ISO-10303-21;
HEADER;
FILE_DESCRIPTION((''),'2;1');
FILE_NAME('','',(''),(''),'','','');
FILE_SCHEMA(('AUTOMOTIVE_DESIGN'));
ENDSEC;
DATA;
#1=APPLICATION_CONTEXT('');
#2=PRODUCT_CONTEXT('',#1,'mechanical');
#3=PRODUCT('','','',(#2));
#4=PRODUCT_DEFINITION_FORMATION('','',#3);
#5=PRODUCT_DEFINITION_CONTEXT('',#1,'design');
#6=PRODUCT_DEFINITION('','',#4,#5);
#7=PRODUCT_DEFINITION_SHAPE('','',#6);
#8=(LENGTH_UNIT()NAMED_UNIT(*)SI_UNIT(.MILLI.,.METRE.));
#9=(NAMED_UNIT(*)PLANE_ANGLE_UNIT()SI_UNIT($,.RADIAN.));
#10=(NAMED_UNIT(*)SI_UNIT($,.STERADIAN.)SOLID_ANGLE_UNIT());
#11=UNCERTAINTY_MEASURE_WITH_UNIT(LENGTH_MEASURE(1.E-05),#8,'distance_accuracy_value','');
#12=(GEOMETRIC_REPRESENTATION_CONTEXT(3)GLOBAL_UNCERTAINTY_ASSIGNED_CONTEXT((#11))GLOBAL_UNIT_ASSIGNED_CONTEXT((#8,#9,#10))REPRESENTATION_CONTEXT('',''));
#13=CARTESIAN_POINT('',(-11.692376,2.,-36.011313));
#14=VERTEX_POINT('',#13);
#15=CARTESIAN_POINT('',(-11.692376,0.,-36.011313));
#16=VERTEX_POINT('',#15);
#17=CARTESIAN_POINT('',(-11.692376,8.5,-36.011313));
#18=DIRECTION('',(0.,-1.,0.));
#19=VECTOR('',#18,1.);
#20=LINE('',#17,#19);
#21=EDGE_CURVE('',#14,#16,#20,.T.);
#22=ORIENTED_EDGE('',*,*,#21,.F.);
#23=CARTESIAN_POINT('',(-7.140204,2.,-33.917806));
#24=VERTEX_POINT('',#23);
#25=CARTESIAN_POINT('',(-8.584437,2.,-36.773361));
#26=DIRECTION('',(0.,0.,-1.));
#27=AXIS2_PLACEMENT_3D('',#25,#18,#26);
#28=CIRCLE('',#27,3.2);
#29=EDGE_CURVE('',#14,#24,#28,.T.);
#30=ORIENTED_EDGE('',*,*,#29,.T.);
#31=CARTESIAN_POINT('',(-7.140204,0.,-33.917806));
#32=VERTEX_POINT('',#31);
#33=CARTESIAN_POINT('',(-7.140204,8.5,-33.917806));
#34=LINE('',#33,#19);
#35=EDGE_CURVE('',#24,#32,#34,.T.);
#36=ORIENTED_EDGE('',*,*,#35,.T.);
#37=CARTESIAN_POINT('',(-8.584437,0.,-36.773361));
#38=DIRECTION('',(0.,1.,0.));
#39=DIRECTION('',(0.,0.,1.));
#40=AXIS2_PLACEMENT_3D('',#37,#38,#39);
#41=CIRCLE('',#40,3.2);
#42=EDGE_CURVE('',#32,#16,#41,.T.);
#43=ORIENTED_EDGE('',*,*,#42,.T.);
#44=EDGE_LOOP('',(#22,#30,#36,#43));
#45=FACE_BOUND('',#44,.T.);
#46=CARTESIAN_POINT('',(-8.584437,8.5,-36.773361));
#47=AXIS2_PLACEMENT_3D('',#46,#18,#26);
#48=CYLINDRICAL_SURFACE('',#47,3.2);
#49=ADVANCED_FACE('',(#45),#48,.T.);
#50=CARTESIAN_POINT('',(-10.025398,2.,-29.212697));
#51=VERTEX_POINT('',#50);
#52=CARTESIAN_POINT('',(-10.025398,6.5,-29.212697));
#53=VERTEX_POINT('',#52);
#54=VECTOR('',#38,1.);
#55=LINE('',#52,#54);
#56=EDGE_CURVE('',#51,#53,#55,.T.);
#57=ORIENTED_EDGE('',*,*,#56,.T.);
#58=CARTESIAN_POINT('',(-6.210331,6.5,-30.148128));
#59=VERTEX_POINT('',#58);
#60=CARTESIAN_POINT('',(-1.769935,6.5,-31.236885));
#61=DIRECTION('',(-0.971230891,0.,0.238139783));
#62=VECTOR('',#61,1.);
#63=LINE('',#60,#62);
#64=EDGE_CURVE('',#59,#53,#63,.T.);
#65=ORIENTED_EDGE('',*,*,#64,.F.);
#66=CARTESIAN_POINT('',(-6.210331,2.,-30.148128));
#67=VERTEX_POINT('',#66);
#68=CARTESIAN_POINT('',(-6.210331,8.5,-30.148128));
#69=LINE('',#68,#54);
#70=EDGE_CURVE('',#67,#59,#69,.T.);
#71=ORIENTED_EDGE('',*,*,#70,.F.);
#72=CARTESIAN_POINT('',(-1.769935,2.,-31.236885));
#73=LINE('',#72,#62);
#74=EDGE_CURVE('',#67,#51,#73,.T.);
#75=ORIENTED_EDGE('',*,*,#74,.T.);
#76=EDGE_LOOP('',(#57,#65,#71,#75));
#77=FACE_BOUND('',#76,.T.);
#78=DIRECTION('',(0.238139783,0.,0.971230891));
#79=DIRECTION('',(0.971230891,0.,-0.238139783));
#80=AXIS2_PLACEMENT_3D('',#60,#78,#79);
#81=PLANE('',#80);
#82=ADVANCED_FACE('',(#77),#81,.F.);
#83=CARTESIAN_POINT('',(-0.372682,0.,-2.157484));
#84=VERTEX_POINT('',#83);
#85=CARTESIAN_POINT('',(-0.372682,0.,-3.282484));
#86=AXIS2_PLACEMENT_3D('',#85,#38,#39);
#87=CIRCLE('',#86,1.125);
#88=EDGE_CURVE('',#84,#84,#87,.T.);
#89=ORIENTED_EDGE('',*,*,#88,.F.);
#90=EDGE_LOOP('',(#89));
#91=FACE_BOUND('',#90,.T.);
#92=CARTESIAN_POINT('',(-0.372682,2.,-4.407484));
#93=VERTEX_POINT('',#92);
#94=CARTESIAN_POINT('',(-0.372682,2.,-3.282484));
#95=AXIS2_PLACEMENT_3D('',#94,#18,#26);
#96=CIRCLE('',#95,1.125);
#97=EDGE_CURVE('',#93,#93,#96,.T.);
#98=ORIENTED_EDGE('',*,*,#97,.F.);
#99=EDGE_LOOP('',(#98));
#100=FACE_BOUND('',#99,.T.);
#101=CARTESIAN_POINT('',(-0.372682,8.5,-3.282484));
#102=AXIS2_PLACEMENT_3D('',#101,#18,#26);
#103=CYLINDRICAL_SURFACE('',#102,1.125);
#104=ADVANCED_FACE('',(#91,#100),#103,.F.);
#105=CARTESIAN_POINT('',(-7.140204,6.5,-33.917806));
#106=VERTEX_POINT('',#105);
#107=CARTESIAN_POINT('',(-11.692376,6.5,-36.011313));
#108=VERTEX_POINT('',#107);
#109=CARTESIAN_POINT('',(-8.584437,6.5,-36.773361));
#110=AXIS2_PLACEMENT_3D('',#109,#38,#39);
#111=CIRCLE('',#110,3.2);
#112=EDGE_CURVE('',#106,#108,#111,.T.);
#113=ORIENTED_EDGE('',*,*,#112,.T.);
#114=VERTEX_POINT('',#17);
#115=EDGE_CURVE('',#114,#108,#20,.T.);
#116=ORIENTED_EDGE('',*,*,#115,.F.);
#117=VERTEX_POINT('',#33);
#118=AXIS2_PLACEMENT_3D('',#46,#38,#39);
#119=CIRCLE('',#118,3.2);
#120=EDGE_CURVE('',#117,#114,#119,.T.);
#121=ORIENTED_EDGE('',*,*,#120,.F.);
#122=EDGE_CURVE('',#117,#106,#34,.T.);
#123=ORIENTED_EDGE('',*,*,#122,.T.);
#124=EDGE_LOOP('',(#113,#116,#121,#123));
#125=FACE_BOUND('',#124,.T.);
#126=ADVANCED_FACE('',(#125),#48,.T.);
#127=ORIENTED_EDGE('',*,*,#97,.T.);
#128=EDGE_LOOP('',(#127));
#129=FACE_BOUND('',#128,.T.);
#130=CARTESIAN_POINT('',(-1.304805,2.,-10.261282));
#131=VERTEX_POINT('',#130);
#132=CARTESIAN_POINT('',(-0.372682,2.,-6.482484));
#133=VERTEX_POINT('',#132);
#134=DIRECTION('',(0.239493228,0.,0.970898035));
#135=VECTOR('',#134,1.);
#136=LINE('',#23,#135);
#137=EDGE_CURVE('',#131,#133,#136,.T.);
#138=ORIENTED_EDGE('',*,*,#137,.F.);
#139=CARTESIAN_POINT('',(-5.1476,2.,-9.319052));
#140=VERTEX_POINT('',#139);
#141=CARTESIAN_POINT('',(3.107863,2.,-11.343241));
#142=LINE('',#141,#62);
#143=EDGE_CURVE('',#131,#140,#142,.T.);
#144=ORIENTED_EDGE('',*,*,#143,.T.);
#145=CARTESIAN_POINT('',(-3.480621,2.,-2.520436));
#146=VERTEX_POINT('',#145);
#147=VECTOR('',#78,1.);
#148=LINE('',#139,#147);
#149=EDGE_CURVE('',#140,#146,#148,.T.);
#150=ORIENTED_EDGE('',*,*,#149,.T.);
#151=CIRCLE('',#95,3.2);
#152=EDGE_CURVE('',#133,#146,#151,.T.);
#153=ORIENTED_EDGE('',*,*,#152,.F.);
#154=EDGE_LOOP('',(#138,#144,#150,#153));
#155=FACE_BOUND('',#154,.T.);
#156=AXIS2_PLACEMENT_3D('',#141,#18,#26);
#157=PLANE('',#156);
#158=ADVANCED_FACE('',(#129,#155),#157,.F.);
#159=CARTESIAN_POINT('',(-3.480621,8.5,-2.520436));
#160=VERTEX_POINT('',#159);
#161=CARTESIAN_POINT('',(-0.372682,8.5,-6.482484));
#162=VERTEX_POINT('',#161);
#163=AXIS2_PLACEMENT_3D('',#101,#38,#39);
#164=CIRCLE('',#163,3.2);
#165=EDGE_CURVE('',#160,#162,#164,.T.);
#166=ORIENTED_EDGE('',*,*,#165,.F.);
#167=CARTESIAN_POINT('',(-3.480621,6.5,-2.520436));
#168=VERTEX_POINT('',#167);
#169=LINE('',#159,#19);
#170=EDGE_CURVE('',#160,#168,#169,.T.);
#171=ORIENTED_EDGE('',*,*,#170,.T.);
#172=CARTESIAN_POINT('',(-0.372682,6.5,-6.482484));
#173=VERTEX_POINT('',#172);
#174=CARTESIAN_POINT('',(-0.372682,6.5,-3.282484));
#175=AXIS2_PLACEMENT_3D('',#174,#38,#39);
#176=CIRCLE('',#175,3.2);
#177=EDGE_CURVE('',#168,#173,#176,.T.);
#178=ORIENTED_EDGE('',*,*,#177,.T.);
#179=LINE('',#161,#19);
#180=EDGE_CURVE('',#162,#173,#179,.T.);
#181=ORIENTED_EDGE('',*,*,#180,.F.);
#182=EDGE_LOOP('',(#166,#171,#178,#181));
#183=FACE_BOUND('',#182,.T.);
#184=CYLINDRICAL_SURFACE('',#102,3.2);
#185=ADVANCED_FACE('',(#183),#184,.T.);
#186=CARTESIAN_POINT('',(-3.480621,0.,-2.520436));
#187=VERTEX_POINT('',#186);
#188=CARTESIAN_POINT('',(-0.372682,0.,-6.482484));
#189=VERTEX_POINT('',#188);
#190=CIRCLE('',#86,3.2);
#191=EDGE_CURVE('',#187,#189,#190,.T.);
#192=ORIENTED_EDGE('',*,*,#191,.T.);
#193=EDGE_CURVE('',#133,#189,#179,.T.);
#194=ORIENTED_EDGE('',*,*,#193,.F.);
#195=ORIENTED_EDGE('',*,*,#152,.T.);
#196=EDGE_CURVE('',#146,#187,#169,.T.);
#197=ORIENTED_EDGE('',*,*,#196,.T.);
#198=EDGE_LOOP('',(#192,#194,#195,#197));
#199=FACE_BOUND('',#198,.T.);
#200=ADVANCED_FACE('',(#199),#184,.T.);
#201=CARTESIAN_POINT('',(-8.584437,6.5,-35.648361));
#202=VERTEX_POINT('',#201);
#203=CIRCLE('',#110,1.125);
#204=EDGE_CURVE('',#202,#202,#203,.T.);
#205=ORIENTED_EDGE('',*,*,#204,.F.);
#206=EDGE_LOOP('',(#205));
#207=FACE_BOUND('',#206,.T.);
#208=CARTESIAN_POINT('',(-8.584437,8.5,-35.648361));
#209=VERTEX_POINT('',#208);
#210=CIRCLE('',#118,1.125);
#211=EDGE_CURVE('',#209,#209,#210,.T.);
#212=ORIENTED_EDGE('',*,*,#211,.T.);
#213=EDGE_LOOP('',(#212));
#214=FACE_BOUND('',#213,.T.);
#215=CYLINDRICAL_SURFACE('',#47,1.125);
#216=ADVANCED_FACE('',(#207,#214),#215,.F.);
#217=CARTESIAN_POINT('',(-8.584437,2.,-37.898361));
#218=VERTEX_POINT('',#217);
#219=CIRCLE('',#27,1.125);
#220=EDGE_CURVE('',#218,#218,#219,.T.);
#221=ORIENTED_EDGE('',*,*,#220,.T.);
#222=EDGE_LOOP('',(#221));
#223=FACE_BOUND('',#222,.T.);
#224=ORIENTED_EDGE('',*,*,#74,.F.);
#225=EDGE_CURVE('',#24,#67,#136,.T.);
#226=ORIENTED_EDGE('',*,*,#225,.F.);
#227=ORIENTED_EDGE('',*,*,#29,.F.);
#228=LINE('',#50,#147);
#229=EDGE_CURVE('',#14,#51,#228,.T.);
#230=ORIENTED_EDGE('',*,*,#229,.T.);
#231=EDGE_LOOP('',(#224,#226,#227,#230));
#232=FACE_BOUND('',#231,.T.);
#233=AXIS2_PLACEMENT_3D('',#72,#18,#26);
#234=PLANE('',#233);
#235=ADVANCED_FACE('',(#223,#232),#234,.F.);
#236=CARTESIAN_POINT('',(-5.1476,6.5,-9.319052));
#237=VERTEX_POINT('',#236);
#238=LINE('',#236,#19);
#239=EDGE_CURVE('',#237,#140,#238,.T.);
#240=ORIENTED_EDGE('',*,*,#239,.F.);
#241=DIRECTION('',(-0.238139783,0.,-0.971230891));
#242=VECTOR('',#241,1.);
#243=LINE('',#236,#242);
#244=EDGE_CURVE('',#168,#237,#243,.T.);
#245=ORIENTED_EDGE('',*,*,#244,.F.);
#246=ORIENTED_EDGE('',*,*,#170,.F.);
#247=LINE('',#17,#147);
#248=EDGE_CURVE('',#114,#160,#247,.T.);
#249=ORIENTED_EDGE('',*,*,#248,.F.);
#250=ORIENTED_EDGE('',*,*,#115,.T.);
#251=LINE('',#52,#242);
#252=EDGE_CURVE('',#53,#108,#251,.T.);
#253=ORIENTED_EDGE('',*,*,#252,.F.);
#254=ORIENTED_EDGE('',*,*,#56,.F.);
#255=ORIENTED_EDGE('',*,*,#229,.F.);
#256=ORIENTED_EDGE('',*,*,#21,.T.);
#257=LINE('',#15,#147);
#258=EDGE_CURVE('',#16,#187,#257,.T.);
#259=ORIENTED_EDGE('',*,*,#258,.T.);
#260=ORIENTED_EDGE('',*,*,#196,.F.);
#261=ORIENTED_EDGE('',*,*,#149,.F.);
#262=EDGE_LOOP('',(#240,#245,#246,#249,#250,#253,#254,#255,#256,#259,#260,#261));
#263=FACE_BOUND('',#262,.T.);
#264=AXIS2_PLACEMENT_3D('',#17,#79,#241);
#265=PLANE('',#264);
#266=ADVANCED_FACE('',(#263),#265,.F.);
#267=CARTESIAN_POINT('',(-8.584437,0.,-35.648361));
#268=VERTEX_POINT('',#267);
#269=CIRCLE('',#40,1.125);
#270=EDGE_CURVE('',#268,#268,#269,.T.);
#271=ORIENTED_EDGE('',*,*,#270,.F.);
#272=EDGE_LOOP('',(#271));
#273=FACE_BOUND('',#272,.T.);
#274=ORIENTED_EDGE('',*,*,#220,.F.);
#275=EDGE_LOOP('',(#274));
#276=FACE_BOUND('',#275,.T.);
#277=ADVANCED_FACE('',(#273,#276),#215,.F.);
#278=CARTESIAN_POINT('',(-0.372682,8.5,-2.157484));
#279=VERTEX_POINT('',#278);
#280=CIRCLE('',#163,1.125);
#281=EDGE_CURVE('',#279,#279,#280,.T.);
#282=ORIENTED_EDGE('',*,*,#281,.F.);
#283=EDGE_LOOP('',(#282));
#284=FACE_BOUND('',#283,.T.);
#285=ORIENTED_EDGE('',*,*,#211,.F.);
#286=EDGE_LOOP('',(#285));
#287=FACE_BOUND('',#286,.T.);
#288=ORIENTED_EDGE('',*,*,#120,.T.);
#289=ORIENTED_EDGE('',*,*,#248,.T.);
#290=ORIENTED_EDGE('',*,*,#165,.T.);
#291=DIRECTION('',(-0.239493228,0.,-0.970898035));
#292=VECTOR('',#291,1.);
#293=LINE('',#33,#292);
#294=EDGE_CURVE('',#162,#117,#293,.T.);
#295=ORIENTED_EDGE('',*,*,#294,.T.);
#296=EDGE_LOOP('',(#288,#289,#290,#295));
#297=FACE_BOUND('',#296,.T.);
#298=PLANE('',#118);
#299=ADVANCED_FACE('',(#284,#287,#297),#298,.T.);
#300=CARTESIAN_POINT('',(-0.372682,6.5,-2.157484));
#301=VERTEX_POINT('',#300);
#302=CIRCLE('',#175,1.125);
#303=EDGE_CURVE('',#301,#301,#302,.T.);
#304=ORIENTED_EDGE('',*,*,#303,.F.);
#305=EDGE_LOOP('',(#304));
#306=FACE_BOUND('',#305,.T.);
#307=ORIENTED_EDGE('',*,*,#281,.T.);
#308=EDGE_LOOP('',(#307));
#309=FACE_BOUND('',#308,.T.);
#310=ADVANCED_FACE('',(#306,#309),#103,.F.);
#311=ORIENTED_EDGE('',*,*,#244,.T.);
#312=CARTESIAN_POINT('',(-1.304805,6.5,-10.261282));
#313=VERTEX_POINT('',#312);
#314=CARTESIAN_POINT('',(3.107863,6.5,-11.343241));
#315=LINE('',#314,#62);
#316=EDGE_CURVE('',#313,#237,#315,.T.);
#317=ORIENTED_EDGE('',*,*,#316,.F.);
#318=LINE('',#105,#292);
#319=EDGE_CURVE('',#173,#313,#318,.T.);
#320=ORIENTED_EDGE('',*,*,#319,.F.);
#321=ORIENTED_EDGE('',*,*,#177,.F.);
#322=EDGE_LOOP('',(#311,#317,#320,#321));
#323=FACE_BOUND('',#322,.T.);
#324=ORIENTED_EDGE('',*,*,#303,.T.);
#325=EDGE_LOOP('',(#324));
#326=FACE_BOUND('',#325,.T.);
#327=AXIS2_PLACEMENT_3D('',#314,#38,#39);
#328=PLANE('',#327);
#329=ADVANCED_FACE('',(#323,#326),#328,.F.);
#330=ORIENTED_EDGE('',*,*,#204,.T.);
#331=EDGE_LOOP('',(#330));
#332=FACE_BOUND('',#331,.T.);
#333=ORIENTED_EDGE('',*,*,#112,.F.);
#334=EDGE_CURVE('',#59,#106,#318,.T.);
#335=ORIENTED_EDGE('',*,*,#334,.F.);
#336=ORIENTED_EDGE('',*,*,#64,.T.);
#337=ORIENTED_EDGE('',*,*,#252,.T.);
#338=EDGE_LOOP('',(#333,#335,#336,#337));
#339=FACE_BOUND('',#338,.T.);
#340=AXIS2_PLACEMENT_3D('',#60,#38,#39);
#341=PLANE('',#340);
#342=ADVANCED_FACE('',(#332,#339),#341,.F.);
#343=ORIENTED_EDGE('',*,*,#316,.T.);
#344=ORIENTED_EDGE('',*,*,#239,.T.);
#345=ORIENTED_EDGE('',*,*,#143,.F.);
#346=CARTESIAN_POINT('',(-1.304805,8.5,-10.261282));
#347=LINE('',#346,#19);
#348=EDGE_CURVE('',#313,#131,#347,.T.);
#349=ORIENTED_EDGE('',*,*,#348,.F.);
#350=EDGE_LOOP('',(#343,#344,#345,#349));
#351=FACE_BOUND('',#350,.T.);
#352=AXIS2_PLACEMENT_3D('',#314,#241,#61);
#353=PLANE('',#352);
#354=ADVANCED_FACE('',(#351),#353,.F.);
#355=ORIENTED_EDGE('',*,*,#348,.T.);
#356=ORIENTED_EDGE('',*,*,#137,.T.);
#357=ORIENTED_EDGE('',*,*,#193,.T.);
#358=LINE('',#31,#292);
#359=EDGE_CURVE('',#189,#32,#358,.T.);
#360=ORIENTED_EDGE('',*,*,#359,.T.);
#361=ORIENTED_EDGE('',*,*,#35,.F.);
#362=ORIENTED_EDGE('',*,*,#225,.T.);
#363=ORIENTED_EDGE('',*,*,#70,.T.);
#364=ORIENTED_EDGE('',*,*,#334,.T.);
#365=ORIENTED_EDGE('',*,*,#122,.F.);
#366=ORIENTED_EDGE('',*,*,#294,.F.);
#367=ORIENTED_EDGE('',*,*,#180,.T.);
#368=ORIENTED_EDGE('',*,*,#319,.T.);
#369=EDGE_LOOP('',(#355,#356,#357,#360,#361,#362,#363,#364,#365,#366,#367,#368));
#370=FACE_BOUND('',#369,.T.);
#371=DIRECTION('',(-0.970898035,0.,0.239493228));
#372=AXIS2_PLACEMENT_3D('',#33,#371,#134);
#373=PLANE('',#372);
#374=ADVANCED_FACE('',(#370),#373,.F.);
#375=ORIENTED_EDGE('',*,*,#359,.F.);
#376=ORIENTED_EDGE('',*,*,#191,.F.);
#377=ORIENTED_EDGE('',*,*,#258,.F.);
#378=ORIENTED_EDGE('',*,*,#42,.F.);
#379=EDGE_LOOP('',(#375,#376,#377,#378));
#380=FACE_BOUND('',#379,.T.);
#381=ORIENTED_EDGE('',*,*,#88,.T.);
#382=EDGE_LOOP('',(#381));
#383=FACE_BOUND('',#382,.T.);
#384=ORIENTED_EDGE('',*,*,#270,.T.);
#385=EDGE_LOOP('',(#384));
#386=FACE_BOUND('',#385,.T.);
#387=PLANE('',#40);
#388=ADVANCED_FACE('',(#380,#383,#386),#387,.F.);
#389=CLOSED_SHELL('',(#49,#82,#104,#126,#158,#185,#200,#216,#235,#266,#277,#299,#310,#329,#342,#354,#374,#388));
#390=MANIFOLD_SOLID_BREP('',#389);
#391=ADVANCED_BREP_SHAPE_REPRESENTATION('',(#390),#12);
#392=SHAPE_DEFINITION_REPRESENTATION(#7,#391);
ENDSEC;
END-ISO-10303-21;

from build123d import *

# Parameters (mm, degrees)
SKETCH1_R           = 1.125
BOSS_EXTRUDE7_DEPTH = 8.5
SKETCH6_W           = 15.97698267
SKETCH6_H           = 4.5
SKETCH6_W_2         = 15.99015053
CUT_EXTRUDE3_DEPTH  = 8.5


with BuildPart() as part:
    # Sketch1 → Boss-Extrude7 (new body)
    with BuildSketch(Plane(origin=(0, 0, 0), x_dir=(1, 0, 0), z_dir=(0, 1, 0))):
        with BuildLine():
            Line((-11.69237608, 36.011313204), (-3.480621039, 2.520436225))
            ThreePointArc((-3.480621039, 2.520436225), (2.14510964, 1.307458387), (-0.372682187, 6.48248353))
            Line((-0.372682187, 6.48248353), (-7.140204337, 33.917806035))
            ThreePointArc((-7.140204337, 33.917806035), (-7.247398542, 39.680649203), (-11.69237608, 36.011313204))
        make_face()
        with Locations(Location((-8.584437228, 36.773360509, 0), (0, 0, 270))):
            Circle(SKETCH1_R, mode=Mode.SUBTRACT)
        with Locations(Location((-0.372682187, 3.28248353, 0), (0, 0, 270))):
            Circle(SKETCH1_R, mode=Mode.SUBTRACT)
    extrude(amount=BOSS_EXTRUDE7_DEPTH)

    # Sketch6 → Cut-Extrude3 (cut)
    with BuildSketch(Plane(origin=(-2.700284633, 0, 0.662093022), x_dir=(0.2381397827013172, 0, 0.9712308911350428), z_dir=(-0.9712308911350428, 0, 0.2381397827013172))):
        with Locations((-38.748211048, 4.25)):
            Rectangle(SKETCH6_W, SKETCH6_H)
        with Locations((-2.281724594, 4.25)):
            Rectangle(SKETCH6_W_2, SKETCH6_H)
    extrude(amount=-CUT_EXTRUDE3_DEPTH, mode=Mode.SUBTRACT)


solid = part.part
